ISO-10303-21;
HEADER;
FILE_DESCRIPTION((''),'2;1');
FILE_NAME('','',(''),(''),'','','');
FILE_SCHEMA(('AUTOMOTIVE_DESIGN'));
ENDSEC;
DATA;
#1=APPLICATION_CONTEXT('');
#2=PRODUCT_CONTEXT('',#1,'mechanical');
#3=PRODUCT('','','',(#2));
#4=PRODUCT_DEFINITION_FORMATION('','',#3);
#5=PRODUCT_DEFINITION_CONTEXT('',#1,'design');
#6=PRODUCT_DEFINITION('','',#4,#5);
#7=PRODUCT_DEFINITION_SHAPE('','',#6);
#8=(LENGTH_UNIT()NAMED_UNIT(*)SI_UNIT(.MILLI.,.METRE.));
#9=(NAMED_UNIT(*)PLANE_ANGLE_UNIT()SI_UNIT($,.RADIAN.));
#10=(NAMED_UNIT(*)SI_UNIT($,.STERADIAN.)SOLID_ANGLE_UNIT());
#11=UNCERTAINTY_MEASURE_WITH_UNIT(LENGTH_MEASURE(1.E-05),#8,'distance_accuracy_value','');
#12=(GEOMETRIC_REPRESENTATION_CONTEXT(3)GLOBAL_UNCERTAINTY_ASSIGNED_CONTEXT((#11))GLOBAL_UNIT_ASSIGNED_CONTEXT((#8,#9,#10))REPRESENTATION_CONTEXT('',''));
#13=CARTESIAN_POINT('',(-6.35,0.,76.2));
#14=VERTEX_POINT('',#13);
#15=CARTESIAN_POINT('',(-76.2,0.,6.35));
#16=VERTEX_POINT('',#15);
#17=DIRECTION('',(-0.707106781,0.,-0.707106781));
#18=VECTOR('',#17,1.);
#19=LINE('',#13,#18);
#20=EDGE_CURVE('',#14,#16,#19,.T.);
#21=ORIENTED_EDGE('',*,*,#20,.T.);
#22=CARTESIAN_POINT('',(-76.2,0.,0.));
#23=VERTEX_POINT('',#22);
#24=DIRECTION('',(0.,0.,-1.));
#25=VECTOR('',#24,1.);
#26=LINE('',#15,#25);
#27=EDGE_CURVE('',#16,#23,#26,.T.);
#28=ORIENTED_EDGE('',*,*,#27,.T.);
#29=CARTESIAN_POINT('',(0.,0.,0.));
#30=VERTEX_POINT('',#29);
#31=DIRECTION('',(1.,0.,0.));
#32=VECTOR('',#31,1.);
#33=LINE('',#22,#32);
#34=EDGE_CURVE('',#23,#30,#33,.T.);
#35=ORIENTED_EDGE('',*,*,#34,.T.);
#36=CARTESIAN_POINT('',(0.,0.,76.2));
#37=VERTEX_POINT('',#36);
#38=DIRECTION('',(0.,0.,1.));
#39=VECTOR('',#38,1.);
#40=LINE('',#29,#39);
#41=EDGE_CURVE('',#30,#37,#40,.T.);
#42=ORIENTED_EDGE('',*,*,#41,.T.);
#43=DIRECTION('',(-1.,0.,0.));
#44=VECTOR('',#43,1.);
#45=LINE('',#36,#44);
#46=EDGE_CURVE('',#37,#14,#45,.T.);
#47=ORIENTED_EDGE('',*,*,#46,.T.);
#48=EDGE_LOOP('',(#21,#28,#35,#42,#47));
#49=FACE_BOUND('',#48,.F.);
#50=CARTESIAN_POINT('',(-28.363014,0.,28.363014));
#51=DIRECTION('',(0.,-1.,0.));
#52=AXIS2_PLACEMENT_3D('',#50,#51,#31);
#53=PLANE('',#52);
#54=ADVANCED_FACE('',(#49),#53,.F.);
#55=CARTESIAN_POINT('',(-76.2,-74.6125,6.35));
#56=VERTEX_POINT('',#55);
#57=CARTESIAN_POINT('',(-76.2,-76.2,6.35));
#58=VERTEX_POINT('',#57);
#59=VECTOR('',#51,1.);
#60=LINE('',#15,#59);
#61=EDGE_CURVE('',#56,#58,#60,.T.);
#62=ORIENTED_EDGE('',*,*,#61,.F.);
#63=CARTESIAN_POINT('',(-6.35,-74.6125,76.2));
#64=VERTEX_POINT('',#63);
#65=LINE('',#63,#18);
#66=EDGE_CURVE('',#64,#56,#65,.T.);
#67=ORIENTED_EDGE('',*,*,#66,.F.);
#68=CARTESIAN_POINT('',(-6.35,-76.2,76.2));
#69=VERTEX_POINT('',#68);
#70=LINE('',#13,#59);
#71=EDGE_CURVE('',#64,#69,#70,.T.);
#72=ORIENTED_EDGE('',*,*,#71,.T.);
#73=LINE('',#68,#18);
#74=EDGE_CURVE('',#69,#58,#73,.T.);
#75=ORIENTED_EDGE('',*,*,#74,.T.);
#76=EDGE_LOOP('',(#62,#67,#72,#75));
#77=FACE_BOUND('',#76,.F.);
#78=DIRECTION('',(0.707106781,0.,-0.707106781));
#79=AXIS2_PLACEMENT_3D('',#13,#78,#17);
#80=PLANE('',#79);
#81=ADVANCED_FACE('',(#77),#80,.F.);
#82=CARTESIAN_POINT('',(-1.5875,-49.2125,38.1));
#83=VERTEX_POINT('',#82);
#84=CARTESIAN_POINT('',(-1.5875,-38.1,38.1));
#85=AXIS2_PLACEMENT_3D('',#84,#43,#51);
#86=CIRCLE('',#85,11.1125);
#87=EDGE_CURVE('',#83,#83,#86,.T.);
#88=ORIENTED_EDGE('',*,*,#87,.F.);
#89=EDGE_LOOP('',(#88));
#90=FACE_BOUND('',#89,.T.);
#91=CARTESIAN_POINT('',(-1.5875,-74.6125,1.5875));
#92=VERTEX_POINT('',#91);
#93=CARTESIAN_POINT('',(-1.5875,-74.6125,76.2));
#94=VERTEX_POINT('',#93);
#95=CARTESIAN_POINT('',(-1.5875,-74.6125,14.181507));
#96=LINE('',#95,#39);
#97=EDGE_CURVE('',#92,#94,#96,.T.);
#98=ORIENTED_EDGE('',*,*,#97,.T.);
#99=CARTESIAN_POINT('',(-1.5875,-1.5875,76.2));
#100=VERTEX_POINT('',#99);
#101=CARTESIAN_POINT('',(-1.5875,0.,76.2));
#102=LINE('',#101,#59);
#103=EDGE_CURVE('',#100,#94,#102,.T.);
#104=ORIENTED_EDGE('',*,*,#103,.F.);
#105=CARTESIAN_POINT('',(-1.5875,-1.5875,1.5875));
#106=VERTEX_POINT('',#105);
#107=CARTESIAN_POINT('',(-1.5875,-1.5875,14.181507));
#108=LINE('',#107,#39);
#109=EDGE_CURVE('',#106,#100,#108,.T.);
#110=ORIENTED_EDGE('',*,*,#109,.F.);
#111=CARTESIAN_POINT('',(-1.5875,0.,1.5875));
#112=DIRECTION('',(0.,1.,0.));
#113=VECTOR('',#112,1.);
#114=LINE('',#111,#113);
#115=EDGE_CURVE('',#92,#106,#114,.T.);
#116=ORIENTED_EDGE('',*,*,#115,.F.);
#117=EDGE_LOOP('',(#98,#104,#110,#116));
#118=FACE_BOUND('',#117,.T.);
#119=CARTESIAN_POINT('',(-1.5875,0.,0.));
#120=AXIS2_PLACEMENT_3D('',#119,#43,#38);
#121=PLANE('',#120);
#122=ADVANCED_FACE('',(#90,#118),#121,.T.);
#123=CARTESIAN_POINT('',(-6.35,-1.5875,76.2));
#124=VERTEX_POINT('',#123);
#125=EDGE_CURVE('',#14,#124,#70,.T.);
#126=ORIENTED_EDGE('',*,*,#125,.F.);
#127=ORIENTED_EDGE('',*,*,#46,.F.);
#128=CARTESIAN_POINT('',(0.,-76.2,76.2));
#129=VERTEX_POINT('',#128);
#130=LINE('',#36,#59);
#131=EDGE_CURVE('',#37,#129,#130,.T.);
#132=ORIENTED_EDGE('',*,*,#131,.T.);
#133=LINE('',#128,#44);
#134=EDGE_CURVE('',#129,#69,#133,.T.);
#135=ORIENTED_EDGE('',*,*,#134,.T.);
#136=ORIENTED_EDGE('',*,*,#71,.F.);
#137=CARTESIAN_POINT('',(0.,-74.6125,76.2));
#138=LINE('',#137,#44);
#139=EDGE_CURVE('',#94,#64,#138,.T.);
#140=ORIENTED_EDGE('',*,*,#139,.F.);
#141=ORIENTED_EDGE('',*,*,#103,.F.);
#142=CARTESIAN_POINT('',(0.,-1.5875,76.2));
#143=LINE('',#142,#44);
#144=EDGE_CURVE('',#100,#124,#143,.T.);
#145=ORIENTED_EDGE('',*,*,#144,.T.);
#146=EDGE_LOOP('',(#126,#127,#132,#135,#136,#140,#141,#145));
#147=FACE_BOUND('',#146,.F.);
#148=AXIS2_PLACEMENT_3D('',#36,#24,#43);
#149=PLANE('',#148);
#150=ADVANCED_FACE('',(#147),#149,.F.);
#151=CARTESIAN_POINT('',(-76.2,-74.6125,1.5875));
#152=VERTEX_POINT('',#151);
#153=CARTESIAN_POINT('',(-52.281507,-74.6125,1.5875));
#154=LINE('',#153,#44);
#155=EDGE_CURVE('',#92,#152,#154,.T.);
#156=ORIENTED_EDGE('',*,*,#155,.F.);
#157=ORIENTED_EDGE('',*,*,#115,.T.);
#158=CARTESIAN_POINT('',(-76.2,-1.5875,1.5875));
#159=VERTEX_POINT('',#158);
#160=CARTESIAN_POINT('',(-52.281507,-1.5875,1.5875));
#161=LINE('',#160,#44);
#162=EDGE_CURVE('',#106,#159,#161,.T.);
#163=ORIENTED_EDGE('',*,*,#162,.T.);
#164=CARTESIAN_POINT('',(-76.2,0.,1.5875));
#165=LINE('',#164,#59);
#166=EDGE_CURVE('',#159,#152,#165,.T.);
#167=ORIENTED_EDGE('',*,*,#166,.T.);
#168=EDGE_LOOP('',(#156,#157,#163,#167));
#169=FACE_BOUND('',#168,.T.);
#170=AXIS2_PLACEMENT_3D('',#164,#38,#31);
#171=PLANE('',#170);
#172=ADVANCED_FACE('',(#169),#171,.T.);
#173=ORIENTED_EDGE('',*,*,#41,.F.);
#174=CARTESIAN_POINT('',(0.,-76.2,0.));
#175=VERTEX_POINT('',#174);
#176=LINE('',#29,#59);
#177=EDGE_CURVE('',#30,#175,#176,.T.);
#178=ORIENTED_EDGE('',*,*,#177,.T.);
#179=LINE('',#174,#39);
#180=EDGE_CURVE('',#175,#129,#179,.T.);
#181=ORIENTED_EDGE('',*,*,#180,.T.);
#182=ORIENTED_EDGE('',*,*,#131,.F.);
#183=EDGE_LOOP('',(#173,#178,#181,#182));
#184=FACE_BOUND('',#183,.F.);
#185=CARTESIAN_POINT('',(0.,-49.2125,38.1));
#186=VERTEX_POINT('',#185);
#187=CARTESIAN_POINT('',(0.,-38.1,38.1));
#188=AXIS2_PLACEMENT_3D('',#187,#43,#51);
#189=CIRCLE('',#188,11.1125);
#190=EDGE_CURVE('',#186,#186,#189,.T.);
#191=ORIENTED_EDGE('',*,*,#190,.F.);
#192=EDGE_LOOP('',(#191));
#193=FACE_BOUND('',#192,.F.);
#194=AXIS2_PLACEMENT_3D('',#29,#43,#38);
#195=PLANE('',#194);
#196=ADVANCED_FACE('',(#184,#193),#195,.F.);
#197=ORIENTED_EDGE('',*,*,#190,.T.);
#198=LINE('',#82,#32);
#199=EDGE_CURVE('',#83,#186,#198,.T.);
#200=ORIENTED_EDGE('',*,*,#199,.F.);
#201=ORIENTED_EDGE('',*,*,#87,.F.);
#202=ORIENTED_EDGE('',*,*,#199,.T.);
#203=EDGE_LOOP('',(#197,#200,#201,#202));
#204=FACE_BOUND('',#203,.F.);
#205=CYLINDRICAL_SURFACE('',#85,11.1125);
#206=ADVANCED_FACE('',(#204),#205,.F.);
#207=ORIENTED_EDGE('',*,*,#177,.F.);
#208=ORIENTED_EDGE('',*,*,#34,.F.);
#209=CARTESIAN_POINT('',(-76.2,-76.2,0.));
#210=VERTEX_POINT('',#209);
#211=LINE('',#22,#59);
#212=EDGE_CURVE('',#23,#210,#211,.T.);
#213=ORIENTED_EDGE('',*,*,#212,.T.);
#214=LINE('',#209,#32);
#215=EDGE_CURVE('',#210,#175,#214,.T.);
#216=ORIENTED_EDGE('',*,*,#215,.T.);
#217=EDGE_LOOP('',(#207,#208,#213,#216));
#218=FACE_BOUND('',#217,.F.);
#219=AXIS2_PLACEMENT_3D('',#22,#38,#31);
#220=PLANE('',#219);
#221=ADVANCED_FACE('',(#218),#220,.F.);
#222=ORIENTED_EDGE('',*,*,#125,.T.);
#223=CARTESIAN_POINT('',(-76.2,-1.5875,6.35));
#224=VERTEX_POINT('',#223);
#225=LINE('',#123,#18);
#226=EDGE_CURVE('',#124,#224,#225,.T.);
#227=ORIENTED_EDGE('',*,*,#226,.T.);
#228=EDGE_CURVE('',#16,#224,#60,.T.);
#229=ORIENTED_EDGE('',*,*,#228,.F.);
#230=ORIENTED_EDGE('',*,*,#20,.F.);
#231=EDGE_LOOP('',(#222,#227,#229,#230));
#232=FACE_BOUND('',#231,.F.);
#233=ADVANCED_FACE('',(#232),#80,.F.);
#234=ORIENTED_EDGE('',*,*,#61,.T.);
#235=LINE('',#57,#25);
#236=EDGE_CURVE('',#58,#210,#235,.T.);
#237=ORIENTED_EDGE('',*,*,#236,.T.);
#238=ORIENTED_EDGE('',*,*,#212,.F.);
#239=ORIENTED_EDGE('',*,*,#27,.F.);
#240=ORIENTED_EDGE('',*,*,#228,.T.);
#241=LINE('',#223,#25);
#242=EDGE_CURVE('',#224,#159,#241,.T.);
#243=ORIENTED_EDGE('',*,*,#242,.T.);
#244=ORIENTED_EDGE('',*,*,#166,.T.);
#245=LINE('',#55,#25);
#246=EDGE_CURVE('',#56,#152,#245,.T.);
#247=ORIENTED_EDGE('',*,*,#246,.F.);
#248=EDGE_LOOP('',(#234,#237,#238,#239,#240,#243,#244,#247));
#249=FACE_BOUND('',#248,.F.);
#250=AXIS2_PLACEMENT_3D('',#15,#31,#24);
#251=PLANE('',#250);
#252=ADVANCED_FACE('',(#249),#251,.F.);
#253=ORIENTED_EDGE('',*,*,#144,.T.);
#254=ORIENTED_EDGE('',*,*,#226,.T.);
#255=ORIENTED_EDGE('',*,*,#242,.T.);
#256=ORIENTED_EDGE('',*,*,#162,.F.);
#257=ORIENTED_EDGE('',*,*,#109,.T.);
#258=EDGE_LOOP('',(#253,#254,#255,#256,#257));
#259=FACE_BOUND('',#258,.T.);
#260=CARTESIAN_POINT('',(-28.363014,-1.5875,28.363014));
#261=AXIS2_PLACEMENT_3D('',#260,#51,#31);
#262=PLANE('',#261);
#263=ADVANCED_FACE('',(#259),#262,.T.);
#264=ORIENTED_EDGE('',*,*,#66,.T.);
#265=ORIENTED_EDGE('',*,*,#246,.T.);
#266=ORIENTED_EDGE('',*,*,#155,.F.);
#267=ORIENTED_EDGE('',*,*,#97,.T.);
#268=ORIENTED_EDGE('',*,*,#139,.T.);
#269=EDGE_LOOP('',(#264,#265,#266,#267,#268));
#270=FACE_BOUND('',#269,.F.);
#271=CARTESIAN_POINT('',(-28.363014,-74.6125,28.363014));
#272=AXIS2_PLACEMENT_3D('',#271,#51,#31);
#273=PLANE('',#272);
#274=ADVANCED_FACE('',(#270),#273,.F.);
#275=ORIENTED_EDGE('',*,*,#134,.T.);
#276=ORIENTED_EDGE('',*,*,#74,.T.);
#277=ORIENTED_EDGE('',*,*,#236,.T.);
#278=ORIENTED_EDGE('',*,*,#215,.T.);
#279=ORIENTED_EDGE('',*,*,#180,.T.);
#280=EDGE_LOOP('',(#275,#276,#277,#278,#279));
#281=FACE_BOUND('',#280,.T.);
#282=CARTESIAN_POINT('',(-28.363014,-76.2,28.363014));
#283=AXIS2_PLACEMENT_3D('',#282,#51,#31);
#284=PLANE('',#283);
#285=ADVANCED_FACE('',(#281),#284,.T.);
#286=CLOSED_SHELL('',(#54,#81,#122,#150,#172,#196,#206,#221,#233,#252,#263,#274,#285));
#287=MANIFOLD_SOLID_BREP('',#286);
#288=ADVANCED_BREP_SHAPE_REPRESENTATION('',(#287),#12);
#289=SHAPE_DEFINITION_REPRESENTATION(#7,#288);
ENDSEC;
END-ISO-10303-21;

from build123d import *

# Parameters (mm, degrees)
F1_DEPTH = 76.2
F2_T     = -1.5875
F3_R     = 11.1125
F4_DEPTH = 1.5885


with BuildPart() as f1:
    # F0 (on Front) → F1 (new body)
    with BuildSketch(Plane.XZ):
        Polygon((-76.2, 0), (0, 0), (0, 76.2), (-6.35, 76.2), (-76.2, 6.35), align=None)
    extrude(amount=F1_DEPTH)

    # F2
    f2_openings = [f1.faces().sort_by_distance(p)[0] for p in [
        (-41.275, -38.1, 41.275),
        (-76.2, -38.1, 3.175),
        (-3.175, -38.1, 76.2),
    ]]
    offset(amount=F2_T, openings=f2_openings)

    # F3 (on face) → F4 (cut, through all)
    with BuildSketch(Plane(origin=(-1.5875, 0, 0), x_dir=(0, -1, 0), z_dir=(-1, 0, 0))):
        with Locations((38.1, 38.1)):
            Circle(F3_R)
    extrude(amount=-F4_DEPTH, mode=Mode.SUBTRACT)


solid = f1.part
